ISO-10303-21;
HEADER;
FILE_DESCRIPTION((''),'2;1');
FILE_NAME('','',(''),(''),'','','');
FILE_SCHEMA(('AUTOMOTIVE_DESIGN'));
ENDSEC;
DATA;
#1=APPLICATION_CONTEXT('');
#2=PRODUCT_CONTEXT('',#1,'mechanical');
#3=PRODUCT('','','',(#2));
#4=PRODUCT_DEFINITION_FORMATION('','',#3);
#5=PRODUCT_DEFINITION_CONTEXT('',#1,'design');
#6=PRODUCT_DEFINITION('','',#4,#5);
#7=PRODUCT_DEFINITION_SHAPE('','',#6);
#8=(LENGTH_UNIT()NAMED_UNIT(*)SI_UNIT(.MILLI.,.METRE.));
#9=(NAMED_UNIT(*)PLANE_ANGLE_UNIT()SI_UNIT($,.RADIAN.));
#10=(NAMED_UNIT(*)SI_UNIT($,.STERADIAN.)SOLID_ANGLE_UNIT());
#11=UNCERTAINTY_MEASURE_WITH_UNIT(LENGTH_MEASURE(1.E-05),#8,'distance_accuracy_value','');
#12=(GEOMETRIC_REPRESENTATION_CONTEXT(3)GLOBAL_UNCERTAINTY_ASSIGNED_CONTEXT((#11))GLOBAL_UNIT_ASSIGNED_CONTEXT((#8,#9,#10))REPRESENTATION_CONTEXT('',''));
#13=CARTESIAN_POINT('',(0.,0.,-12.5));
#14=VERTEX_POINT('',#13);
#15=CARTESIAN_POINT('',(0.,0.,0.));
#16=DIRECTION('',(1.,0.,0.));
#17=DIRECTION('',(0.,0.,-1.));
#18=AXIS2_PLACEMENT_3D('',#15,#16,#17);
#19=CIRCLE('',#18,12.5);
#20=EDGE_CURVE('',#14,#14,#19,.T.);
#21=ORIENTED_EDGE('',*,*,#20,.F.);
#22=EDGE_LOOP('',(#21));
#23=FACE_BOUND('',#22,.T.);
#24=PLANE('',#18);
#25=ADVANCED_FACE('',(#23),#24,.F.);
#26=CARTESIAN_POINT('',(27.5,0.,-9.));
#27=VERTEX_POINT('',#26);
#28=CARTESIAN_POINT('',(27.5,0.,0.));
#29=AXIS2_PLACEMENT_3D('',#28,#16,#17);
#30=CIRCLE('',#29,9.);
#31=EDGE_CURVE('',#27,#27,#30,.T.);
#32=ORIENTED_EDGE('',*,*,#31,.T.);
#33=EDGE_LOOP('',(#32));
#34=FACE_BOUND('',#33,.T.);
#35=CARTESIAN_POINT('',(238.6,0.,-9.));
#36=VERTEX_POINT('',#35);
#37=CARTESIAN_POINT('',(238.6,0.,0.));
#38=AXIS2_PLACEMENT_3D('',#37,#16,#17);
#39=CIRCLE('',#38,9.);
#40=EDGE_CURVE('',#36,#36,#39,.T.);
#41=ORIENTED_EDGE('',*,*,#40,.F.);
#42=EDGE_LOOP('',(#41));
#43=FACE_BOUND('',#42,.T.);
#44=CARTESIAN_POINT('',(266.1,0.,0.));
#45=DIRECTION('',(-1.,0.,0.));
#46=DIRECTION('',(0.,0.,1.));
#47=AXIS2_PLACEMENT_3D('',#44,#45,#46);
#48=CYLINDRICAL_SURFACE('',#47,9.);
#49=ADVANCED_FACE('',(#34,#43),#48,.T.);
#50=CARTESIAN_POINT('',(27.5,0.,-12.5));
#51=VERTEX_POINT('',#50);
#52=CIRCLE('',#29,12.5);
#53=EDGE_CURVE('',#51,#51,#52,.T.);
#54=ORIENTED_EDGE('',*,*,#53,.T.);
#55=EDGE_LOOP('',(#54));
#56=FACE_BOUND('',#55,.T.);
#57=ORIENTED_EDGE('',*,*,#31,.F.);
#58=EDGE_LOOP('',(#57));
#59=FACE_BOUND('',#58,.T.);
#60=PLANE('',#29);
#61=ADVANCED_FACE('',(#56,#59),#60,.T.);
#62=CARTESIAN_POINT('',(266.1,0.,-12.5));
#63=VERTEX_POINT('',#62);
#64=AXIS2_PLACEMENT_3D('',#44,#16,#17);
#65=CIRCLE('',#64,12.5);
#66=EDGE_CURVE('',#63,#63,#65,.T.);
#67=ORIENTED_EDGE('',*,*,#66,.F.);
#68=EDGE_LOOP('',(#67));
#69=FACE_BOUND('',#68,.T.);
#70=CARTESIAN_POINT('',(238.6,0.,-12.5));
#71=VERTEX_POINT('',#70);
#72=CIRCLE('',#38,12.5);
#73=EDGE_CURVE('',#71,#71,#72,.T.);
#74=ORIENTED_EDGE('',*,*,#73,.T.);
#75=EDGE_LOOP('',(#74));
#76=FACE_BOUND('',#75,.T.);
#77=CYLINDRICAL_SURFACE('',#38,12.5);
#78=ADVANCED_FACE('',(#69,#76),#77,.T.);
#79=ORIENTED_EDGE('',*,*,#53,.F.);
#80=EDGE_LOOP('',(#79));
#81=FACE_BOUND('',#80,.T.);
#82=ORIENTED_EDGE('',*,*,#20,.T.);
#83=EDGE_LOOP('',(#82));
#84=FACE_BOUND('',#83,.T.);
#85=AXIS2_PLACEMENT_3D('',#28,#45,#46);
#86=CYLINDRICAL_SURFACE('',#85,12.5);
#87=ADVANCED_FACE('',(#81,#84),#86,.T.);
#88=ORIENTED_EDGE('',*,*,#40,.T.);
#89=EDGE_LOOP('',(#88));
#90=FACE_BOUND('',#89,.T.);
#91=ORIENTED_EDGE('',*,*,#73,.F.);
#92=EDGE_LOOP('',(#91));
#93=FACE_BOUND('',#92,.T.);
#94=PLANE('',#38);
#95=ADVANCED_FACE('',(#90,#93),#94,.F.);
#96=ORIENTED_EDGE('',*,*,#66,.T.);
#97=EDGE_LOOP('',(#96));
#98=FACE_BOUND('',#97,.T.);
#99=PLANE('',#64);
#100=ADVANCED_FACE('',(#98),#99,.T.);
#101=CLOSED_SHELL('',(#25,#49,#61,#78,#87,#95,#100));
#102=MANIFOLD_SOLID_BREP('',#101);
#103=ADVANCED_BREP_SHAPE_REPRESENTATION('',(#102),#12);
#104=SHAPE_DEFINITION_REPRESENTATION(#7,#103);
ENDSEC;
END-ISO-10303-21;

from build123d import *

# Parameters (mm, degrees)
SKETCH1_R           = 12.5
SKETCH1_R_2         = 9
BOSS_EXTRUDE1_DEPTH = 27.5
SKETCH1_3_R         = 9
BOSS_EXTRUDE2_DEPTH = 266.1
BOSS_EXTRUDE3_START = -27.5
SKETCH2_R           = 12.5
BOSS_EXTRUDE3_DEPTH = 27.5


with BuildPart() as part:
    # Sketch1 → Boss-Extrude1 (new body)
    with BuildSketch(Plane(origin=(0, 0, 0), x_dir=(0, 0, -1), z_dir=(1, 0, 0))):
        Circle(SKETCH1_R)
        Circle(SKETCH1_R_2, mode=Mode.SUBTRACT)
    extrude(amount=BOSS_EXTRUDE1_DEPTH)

    # Sketch1<3> → Boss-Extrude2 (add)
    with BuildSketch(Plane(origin=(0, 0, 0), x_dir=(0, 0, -1), z_dir=(1, 0, 0))):
        Circle(SKETCH1_3_R)
    extrude(amount=BOSS_EXTRUDE2_DEPTH)

    # Sketch2 → Boss-Extrude3 (add)
    with BuildSketch(Plane(origin=(266.1, 0, 0), x_dir=(0, 0, -1), z_dir=(1, 0, 0)).offset(BOSS_EXTRUDE3_START)):
        Circle(SKETCH2_R)
    extrude(amount=BOSS_EXTRUDE3_DEPTH)


solid = part.part
